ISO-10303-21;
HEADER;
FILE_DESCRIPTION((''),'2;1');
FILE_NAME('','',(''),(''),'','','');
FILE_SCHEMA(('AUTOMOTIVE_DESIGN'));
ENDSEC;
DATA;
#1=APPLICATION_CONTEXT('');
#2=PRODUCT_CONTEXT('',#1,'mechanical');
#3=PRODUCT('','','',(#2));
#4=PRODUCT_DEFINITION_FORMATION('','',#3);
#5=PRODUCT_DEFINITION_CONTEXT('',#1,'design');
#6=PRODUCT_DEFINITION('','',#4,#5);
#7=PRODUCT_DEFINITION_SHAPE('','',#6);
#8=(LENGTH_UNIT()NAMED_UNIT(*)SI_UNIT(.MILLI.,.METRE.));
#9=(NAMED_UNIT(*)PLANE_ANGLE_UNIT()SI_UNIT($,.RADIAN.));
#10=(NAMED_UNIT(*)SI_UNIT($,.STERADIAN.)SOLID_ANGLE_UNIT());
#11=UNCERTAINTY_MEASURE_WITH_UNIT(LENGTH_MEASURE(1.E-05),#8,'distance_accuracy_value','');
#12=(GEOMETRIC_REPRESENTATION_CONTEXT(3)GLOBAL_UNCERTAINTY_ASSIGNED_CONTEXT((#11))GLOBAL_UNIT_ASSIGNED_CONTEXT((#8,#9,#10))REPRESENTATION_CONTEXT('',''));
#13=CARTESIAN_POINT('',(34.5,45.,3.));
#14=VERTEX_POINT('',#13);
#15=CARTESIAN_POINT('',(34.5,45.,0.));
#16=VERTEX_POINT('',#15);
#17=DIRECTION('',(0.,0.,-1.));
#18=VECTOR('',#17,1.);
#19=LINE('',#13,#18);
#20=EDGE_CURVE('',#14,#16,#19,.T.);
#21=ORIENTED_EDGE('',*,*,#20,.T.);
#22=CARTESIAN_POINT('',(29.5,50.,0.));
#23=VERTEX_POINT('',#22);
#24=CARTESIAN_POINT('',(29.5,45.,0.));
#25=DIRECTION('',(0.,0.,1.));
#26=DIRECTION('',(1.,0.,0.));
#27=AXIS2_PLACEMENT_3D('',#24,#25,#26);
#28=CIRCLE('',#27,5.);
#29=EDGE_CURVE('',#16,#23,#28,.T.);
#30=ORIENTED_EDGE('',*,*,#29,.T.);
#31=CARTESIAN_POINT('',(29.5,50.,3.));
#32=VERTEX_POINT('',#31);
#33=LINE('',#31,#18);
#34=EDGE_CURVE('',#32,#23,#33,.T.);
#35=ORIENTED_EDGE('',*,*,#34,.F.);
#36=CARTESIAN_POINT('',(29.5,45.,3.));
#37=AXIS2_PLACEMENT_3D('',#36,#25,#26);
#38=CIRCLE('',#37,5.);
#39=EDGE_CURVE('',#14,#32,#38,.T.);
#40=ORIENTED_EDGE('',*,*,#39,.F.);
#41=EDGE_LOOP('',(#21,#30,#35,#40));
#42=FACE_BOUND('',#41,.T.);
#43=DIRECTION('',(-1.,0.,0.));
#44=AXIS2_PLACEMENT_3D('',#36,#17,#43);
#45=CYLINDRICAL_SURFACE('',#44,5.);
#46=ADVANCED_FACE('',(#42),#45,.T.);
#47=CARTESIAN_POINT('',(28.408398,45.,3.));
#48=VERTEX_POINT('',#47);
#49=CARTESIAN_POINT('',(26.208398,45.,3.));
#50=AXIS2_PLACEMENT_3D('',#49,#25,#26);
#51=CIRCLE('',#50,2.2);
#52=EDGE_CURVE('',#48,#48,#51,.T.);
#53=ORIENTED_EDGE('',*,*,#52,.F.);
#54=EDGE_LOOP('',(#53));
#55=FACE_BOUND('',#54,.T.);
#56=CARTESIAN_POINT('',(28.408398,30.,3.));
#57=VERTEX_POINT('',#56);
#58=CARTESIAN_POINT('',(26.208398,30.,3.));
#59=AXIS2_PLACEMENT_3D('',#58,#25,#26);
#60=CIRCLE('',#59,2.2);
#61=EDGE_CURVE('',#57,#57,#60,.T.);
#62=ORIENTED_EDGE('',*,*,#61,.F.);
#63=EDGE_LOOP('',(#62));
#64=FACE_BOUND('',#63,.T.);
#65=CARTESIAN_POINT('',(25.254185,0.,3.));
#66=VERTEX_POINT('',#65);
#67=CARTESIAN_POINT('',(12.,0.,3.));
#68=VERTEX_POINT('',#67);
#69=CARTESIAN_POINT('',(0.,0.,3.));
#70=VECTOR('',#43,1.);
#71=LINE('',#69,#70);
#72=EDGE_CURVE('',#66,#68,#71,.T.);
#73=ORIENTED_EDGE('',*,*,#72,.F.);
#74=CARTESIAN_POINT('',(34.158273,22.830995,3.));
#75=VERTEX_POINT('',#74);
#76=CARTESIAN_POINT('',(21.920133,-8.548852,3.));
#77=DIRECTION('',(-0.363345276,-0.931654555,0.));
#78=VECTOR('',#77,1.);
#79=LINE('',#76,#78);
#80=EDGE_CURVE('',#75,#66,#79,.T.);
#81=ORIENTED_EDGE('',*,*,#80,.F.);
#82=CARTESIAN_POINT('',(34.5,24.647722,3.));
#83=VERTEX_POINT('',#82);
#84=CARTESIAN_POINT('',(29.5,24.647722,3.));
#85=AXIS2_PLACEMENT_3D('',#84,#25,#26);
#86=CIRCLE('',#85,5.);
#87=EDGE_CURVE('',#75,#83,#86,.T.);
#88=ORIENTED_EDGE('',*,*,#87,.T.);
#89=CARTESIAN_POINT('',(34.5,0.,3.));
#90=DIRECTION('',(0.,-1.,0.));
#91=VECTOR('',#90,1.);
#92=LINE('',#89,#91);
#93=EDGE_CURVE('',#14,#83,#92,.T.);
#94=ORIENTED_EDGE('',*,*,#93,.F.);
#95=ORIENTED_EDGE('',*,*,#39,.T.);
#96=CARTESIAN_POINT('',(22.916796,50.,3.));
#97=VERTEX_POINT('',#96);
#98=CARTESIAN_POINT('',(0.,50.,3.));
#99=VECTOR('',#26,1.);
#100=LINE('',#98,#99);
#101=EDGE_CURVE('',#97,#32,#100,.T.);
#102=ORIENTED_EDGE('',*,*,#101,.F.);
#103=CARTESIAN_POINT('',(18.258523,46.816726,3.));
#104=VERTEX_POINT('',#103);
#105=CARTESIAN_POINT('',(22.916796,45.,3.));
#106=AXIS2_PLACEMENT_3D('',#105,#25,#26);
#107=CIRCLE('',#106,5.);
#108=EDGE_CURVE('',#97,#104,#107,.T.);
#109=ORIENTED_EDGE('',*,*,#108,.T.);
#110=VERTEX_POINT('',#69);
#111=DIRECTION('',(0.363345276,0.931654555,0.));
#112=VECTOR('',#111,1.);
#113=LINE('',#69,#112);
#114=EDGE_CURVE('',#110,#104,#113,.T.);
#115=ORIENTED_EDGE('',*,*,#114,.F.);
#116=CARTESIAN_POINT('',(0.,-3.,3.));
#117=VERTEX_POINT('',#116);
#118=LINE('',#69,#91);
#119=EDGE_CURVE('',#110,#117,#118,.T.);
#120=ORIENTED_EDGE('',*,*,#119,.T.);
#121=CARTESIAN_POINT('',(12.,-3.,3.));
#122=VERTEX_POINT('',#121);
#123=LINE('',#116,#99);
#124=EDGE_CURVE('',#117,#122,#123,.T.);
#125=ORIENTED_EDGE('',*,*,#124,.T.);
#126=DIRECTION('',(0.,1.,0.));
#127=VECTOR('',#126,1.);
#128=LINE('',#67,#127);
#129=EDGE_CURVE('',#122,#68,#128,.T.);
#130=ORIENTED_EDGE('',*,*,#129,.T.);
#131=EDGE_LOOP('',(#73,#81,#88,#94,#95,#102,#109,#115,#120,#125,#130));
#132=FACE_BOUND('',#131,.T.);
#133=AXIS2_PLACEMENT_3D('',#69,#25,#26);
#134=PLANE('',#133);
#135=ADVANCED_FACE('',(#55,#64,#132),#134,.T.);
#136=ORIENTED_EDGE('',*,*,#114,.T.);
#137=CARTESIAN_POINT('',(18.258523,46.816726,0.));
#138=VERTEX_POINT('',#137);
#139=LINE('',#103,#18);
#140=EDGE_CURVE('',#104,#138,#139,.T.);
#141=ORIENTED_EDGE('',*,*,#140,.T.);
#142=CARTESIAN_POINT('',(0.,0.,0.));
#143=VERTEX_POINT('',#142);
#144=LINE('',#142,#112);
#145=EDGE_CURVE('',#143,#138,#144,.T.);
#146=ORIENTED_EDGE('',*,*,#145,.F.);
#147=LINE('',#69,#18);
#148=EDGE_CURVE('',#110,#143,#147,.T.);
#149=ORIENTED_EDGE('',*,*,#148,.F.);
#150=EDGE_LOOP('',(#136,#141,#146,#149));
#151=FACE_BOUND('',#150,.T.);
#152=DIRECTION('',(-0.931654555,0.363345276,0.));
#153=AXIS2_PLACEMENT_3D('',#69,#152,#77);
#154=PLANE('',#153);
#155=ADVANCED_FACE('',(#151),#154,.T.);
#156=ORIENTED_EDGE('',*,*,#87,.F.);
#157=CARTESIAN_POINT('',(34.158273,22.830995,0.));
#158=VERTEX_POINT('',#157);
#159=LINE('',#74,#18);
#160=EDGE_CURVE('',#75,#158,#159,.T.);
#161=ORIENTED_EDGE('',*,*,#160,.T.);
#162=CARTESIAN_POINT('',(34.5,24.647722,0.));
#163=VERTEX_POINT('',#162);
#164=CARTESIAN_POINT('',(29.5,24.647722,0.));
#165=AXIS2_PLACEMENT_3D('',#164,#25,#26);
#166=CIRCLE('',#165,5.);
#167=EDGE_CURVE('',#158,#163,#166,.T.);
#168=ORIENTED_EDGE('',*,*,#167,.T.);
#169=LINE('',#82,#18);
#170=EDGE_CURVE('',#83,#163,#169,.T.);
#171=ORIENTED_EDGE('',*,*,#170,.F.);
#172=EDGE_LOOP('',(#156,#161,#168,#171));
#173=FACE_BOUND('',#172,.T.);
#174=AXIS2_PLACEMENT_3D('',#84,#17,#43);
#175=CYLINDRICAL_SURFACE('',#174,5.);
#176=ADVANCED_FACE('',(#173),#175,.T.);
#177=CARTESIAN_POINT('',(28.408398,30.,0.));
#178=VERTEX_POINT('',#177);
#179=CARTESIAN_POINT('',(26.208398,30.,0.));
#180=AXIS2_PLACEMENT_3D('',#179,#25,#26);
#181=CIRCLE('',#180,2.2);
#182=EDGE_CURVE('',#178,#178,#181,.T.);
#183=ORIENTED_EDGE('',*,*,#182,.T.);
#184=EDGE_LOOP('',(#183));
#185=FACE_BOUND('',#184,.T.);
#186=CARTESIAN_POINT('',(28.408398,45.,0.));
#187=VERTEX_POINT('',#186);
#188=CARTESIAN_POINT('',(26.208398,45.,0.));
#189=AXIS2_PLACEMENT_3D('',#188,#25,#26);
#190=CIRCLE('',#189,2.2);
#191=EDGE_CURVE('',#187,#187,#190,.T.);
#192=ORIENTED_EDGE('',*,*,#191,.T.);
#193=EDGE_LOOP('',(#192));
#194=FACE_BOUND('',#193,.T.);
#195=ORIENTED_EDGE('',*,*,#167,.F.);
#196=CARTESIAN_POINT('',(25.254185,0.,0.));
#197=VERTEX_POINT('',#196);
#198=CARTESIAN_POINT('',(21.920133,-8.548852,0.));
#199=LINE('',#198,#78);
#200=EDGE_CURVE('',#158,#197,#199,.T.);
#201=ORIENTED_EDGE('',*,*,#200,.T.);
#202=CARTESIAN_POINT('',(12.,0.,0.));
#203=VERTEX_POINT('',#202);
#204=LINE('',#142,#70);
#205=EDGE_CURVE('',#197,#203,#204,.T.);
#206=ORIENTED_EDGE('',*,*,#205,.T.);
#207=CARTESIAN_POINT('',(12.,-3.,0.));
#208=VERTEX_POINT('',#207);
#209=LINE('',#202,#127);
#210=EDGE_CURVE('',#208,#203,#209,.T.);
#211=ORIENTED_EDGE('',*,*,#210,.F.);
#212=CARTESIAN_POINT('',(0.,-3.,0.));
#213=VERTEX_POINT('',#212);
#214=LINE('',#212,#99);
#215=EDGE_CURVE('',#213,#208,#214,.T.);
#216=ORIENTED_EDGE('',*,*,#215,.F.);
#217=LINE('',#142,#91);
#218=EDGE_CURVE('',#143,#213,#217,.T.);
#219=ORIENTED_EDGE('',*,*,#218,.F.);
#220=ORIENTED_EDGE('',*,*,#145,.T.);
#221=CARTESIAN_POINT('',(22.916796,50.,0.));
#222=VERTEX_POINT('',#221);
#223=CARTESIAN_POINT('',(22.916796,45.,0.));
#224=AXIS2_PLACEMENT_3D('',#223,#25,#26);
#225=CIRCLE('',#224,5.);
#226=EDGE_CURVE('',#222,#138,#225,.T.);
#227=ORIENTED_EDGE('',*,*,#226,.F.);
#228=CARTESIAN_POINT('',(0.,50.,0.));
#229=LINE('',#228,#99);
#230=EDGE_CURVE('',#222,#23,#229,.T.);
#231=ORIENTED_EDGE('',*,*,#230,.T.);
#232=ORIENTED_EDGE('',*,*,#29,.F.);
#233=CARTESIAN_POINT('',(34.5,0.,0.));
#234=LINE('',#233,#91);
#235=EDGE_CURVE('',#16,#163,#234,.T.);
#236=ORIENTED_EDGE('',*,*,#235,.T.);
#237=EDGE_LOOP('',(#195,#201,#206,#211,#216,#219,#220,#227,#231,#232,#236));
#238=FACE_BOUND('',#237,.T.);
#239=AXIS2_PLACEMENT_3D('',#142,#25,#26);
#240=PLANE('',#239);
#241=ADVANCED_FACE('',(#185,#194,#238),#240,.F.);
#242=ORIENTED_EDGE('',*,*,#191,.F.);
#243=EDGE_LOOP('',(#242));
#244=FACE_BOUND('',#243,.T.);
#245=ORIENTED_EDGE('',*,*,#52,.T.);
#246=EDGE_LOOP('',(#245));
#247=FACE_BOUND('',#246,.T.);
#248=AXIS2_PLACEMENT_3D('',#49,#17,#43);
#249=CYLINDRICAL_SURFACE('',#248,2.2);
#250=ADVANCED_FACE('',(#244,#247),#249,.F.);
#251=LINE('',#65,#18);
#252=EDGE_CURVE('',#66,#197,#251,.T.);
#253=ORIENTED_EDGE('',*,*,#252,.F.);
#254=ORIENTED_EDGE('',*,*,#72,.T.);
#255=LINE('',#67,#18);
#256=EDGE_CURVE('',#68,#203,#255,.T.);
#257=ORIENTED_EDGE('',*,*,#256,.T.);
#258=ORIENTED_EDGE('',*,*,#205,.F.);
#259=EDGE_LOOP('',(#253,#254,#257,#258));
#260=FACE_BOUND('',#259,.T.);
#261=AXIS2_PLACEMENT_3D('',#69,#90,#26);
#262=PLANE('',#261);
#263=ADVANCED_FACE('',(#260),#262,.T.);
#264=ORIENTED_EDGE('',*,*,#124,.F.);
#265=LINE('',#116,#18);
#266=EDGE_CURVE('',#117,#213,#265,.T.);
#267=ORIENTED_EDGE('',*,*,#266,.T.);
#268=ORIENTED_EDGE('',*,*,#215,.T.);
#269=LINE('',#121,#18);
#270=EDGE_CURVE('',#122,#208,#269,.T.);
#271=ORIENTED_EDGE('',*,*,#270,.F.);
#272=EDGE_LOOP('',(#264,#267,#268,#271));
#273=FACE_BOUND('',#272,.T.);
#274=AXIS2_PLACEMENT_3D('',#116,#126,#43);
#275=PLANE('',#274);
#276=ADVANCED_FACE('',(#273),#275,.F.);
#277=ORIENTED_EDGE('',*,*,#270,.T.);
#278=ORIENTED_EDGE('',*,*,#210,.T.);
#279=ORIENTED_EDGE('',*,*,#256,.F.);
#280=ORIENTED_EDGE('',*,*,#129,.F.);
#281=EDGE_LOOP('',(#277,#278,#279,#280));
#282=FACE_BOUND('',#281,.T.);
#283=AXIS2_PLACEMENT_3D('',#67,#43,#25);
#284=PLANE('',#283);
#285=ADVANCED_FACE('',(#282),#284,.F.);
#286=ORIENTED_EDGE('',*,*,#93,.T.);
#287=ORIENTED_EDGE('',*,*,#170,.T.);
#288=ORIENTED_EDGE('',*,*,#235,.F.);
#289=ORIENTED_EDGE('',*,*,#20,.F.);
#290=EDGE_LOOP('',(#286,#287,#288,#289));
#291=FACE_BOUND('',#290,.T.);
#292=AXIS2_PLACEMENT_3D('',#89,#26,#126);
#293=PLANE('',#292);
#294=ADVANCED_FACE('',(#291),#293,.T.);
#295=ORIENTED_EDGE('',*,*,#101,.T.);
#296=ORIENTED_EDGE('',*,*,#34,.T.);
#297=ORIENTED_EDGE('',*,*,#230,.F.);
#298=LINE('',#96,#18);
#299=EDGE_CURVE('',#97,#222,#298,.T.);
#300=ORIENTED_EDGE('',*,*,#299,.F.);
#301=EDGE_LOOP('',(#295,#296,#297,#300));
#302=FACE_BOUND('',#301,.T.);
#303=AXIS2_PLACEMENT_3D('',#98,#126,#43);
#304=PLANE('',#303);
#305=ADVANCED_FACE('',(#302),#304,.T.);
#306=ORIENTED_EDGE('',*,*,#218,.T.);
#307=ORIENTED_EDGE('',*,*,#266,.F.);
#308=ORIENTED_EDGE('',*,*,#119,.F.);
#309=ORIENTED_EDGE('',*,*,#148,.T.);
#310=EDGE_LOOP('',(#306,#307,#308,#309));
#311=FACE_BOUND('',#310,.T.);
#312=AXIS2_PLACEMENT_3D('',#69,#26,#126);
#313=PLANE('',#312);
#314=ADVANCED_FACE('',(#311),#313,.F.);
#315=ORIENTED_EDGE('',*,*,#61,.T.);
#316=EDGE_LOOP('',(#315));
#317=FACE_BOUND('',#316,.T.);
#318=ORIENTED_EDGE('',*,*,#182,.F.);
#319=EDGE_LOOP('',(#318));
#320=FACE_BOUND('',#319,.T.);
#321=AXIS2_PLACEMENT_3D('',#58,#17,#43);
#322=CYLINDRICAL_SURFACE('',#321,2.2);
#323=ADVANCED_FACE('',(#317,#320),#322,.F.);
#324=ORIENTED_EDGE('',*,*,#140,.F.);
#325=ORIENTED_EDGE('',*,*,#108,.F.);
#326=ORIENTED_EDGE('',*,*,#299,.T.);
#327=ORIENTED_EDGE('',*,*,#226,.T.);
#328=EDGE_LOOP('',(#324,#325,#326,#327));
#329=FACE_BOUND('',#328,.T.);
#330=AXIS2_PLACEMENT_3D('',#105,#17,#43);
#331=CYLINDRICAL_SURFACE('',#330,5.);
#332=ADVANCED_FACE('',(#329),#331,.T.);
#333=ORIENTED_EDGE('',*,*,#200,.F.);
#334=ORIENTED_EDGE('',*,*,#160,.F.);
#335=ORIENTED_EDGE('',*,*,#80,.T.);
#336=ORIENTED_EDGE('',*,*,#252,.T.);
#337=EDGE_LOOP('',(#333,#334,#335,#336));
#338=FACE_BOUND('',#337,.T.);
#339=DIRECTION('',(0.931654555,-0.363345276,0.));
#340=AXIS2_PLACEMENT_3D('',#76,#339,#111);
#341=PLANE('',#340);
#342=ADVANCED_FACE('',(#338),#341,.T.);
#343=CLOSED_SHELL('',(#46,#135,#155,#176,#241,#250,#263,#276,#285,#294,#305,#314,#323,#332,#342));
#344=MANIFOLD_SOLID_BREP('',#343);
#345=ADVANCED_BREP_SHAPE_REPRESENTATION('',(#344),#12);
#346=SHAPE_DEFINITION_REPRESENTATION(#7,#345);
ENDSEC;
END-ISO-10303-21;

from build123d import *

# Parameters (mm, degrees)
SKETCH1_R           = 2.2
BOSS_EXTRUDE1_DEPTH = 3


with BuildPart() as part:
    # Sketch1 → Boss-Extrude1 (new body)
    with BuildSketch(Plane.XY):
        with BuildLine():
            Line((18.258523289, 46.816726382), (0, 0))
            Line((0, 0), (0, -3))
            Line((0, -3), (12, -3))
            Line((12, -3), (12, 0))
            Line((12, 0), (25.254184663, 0))
            Line((25.254184663, 0), (34.158272776, 22.830995159))
            ThreePointArc((34.158272776, 22.830995159), (34.413825591, 23.723428265), (34.5, 24.647721542))
            Line((34.5, 24.647721542), (34.5, 45))
            ThreePointArc((34.5, 45), (33.035533906, 48.535533906), (29.5, 50))
            Line((29.5, 50), (22.916796065, 50))
            ThreePointArc((22.916796065, 50), (20.095770711, 49.128173441), (18.258523289, 46.816726382))
        make_face()
        with Locations((26.208398032, 30)):
            Circle(SKETCH1_R, mode=Mode.SUBTRACT)
        with Locations((26.208398032, 45)):
            Circle(SKETCH1_R, mode=Mode.SUBTRACT)
    extrude(amount=BOSS_EXTRUDE1_DEPTH)


solid = part.part
